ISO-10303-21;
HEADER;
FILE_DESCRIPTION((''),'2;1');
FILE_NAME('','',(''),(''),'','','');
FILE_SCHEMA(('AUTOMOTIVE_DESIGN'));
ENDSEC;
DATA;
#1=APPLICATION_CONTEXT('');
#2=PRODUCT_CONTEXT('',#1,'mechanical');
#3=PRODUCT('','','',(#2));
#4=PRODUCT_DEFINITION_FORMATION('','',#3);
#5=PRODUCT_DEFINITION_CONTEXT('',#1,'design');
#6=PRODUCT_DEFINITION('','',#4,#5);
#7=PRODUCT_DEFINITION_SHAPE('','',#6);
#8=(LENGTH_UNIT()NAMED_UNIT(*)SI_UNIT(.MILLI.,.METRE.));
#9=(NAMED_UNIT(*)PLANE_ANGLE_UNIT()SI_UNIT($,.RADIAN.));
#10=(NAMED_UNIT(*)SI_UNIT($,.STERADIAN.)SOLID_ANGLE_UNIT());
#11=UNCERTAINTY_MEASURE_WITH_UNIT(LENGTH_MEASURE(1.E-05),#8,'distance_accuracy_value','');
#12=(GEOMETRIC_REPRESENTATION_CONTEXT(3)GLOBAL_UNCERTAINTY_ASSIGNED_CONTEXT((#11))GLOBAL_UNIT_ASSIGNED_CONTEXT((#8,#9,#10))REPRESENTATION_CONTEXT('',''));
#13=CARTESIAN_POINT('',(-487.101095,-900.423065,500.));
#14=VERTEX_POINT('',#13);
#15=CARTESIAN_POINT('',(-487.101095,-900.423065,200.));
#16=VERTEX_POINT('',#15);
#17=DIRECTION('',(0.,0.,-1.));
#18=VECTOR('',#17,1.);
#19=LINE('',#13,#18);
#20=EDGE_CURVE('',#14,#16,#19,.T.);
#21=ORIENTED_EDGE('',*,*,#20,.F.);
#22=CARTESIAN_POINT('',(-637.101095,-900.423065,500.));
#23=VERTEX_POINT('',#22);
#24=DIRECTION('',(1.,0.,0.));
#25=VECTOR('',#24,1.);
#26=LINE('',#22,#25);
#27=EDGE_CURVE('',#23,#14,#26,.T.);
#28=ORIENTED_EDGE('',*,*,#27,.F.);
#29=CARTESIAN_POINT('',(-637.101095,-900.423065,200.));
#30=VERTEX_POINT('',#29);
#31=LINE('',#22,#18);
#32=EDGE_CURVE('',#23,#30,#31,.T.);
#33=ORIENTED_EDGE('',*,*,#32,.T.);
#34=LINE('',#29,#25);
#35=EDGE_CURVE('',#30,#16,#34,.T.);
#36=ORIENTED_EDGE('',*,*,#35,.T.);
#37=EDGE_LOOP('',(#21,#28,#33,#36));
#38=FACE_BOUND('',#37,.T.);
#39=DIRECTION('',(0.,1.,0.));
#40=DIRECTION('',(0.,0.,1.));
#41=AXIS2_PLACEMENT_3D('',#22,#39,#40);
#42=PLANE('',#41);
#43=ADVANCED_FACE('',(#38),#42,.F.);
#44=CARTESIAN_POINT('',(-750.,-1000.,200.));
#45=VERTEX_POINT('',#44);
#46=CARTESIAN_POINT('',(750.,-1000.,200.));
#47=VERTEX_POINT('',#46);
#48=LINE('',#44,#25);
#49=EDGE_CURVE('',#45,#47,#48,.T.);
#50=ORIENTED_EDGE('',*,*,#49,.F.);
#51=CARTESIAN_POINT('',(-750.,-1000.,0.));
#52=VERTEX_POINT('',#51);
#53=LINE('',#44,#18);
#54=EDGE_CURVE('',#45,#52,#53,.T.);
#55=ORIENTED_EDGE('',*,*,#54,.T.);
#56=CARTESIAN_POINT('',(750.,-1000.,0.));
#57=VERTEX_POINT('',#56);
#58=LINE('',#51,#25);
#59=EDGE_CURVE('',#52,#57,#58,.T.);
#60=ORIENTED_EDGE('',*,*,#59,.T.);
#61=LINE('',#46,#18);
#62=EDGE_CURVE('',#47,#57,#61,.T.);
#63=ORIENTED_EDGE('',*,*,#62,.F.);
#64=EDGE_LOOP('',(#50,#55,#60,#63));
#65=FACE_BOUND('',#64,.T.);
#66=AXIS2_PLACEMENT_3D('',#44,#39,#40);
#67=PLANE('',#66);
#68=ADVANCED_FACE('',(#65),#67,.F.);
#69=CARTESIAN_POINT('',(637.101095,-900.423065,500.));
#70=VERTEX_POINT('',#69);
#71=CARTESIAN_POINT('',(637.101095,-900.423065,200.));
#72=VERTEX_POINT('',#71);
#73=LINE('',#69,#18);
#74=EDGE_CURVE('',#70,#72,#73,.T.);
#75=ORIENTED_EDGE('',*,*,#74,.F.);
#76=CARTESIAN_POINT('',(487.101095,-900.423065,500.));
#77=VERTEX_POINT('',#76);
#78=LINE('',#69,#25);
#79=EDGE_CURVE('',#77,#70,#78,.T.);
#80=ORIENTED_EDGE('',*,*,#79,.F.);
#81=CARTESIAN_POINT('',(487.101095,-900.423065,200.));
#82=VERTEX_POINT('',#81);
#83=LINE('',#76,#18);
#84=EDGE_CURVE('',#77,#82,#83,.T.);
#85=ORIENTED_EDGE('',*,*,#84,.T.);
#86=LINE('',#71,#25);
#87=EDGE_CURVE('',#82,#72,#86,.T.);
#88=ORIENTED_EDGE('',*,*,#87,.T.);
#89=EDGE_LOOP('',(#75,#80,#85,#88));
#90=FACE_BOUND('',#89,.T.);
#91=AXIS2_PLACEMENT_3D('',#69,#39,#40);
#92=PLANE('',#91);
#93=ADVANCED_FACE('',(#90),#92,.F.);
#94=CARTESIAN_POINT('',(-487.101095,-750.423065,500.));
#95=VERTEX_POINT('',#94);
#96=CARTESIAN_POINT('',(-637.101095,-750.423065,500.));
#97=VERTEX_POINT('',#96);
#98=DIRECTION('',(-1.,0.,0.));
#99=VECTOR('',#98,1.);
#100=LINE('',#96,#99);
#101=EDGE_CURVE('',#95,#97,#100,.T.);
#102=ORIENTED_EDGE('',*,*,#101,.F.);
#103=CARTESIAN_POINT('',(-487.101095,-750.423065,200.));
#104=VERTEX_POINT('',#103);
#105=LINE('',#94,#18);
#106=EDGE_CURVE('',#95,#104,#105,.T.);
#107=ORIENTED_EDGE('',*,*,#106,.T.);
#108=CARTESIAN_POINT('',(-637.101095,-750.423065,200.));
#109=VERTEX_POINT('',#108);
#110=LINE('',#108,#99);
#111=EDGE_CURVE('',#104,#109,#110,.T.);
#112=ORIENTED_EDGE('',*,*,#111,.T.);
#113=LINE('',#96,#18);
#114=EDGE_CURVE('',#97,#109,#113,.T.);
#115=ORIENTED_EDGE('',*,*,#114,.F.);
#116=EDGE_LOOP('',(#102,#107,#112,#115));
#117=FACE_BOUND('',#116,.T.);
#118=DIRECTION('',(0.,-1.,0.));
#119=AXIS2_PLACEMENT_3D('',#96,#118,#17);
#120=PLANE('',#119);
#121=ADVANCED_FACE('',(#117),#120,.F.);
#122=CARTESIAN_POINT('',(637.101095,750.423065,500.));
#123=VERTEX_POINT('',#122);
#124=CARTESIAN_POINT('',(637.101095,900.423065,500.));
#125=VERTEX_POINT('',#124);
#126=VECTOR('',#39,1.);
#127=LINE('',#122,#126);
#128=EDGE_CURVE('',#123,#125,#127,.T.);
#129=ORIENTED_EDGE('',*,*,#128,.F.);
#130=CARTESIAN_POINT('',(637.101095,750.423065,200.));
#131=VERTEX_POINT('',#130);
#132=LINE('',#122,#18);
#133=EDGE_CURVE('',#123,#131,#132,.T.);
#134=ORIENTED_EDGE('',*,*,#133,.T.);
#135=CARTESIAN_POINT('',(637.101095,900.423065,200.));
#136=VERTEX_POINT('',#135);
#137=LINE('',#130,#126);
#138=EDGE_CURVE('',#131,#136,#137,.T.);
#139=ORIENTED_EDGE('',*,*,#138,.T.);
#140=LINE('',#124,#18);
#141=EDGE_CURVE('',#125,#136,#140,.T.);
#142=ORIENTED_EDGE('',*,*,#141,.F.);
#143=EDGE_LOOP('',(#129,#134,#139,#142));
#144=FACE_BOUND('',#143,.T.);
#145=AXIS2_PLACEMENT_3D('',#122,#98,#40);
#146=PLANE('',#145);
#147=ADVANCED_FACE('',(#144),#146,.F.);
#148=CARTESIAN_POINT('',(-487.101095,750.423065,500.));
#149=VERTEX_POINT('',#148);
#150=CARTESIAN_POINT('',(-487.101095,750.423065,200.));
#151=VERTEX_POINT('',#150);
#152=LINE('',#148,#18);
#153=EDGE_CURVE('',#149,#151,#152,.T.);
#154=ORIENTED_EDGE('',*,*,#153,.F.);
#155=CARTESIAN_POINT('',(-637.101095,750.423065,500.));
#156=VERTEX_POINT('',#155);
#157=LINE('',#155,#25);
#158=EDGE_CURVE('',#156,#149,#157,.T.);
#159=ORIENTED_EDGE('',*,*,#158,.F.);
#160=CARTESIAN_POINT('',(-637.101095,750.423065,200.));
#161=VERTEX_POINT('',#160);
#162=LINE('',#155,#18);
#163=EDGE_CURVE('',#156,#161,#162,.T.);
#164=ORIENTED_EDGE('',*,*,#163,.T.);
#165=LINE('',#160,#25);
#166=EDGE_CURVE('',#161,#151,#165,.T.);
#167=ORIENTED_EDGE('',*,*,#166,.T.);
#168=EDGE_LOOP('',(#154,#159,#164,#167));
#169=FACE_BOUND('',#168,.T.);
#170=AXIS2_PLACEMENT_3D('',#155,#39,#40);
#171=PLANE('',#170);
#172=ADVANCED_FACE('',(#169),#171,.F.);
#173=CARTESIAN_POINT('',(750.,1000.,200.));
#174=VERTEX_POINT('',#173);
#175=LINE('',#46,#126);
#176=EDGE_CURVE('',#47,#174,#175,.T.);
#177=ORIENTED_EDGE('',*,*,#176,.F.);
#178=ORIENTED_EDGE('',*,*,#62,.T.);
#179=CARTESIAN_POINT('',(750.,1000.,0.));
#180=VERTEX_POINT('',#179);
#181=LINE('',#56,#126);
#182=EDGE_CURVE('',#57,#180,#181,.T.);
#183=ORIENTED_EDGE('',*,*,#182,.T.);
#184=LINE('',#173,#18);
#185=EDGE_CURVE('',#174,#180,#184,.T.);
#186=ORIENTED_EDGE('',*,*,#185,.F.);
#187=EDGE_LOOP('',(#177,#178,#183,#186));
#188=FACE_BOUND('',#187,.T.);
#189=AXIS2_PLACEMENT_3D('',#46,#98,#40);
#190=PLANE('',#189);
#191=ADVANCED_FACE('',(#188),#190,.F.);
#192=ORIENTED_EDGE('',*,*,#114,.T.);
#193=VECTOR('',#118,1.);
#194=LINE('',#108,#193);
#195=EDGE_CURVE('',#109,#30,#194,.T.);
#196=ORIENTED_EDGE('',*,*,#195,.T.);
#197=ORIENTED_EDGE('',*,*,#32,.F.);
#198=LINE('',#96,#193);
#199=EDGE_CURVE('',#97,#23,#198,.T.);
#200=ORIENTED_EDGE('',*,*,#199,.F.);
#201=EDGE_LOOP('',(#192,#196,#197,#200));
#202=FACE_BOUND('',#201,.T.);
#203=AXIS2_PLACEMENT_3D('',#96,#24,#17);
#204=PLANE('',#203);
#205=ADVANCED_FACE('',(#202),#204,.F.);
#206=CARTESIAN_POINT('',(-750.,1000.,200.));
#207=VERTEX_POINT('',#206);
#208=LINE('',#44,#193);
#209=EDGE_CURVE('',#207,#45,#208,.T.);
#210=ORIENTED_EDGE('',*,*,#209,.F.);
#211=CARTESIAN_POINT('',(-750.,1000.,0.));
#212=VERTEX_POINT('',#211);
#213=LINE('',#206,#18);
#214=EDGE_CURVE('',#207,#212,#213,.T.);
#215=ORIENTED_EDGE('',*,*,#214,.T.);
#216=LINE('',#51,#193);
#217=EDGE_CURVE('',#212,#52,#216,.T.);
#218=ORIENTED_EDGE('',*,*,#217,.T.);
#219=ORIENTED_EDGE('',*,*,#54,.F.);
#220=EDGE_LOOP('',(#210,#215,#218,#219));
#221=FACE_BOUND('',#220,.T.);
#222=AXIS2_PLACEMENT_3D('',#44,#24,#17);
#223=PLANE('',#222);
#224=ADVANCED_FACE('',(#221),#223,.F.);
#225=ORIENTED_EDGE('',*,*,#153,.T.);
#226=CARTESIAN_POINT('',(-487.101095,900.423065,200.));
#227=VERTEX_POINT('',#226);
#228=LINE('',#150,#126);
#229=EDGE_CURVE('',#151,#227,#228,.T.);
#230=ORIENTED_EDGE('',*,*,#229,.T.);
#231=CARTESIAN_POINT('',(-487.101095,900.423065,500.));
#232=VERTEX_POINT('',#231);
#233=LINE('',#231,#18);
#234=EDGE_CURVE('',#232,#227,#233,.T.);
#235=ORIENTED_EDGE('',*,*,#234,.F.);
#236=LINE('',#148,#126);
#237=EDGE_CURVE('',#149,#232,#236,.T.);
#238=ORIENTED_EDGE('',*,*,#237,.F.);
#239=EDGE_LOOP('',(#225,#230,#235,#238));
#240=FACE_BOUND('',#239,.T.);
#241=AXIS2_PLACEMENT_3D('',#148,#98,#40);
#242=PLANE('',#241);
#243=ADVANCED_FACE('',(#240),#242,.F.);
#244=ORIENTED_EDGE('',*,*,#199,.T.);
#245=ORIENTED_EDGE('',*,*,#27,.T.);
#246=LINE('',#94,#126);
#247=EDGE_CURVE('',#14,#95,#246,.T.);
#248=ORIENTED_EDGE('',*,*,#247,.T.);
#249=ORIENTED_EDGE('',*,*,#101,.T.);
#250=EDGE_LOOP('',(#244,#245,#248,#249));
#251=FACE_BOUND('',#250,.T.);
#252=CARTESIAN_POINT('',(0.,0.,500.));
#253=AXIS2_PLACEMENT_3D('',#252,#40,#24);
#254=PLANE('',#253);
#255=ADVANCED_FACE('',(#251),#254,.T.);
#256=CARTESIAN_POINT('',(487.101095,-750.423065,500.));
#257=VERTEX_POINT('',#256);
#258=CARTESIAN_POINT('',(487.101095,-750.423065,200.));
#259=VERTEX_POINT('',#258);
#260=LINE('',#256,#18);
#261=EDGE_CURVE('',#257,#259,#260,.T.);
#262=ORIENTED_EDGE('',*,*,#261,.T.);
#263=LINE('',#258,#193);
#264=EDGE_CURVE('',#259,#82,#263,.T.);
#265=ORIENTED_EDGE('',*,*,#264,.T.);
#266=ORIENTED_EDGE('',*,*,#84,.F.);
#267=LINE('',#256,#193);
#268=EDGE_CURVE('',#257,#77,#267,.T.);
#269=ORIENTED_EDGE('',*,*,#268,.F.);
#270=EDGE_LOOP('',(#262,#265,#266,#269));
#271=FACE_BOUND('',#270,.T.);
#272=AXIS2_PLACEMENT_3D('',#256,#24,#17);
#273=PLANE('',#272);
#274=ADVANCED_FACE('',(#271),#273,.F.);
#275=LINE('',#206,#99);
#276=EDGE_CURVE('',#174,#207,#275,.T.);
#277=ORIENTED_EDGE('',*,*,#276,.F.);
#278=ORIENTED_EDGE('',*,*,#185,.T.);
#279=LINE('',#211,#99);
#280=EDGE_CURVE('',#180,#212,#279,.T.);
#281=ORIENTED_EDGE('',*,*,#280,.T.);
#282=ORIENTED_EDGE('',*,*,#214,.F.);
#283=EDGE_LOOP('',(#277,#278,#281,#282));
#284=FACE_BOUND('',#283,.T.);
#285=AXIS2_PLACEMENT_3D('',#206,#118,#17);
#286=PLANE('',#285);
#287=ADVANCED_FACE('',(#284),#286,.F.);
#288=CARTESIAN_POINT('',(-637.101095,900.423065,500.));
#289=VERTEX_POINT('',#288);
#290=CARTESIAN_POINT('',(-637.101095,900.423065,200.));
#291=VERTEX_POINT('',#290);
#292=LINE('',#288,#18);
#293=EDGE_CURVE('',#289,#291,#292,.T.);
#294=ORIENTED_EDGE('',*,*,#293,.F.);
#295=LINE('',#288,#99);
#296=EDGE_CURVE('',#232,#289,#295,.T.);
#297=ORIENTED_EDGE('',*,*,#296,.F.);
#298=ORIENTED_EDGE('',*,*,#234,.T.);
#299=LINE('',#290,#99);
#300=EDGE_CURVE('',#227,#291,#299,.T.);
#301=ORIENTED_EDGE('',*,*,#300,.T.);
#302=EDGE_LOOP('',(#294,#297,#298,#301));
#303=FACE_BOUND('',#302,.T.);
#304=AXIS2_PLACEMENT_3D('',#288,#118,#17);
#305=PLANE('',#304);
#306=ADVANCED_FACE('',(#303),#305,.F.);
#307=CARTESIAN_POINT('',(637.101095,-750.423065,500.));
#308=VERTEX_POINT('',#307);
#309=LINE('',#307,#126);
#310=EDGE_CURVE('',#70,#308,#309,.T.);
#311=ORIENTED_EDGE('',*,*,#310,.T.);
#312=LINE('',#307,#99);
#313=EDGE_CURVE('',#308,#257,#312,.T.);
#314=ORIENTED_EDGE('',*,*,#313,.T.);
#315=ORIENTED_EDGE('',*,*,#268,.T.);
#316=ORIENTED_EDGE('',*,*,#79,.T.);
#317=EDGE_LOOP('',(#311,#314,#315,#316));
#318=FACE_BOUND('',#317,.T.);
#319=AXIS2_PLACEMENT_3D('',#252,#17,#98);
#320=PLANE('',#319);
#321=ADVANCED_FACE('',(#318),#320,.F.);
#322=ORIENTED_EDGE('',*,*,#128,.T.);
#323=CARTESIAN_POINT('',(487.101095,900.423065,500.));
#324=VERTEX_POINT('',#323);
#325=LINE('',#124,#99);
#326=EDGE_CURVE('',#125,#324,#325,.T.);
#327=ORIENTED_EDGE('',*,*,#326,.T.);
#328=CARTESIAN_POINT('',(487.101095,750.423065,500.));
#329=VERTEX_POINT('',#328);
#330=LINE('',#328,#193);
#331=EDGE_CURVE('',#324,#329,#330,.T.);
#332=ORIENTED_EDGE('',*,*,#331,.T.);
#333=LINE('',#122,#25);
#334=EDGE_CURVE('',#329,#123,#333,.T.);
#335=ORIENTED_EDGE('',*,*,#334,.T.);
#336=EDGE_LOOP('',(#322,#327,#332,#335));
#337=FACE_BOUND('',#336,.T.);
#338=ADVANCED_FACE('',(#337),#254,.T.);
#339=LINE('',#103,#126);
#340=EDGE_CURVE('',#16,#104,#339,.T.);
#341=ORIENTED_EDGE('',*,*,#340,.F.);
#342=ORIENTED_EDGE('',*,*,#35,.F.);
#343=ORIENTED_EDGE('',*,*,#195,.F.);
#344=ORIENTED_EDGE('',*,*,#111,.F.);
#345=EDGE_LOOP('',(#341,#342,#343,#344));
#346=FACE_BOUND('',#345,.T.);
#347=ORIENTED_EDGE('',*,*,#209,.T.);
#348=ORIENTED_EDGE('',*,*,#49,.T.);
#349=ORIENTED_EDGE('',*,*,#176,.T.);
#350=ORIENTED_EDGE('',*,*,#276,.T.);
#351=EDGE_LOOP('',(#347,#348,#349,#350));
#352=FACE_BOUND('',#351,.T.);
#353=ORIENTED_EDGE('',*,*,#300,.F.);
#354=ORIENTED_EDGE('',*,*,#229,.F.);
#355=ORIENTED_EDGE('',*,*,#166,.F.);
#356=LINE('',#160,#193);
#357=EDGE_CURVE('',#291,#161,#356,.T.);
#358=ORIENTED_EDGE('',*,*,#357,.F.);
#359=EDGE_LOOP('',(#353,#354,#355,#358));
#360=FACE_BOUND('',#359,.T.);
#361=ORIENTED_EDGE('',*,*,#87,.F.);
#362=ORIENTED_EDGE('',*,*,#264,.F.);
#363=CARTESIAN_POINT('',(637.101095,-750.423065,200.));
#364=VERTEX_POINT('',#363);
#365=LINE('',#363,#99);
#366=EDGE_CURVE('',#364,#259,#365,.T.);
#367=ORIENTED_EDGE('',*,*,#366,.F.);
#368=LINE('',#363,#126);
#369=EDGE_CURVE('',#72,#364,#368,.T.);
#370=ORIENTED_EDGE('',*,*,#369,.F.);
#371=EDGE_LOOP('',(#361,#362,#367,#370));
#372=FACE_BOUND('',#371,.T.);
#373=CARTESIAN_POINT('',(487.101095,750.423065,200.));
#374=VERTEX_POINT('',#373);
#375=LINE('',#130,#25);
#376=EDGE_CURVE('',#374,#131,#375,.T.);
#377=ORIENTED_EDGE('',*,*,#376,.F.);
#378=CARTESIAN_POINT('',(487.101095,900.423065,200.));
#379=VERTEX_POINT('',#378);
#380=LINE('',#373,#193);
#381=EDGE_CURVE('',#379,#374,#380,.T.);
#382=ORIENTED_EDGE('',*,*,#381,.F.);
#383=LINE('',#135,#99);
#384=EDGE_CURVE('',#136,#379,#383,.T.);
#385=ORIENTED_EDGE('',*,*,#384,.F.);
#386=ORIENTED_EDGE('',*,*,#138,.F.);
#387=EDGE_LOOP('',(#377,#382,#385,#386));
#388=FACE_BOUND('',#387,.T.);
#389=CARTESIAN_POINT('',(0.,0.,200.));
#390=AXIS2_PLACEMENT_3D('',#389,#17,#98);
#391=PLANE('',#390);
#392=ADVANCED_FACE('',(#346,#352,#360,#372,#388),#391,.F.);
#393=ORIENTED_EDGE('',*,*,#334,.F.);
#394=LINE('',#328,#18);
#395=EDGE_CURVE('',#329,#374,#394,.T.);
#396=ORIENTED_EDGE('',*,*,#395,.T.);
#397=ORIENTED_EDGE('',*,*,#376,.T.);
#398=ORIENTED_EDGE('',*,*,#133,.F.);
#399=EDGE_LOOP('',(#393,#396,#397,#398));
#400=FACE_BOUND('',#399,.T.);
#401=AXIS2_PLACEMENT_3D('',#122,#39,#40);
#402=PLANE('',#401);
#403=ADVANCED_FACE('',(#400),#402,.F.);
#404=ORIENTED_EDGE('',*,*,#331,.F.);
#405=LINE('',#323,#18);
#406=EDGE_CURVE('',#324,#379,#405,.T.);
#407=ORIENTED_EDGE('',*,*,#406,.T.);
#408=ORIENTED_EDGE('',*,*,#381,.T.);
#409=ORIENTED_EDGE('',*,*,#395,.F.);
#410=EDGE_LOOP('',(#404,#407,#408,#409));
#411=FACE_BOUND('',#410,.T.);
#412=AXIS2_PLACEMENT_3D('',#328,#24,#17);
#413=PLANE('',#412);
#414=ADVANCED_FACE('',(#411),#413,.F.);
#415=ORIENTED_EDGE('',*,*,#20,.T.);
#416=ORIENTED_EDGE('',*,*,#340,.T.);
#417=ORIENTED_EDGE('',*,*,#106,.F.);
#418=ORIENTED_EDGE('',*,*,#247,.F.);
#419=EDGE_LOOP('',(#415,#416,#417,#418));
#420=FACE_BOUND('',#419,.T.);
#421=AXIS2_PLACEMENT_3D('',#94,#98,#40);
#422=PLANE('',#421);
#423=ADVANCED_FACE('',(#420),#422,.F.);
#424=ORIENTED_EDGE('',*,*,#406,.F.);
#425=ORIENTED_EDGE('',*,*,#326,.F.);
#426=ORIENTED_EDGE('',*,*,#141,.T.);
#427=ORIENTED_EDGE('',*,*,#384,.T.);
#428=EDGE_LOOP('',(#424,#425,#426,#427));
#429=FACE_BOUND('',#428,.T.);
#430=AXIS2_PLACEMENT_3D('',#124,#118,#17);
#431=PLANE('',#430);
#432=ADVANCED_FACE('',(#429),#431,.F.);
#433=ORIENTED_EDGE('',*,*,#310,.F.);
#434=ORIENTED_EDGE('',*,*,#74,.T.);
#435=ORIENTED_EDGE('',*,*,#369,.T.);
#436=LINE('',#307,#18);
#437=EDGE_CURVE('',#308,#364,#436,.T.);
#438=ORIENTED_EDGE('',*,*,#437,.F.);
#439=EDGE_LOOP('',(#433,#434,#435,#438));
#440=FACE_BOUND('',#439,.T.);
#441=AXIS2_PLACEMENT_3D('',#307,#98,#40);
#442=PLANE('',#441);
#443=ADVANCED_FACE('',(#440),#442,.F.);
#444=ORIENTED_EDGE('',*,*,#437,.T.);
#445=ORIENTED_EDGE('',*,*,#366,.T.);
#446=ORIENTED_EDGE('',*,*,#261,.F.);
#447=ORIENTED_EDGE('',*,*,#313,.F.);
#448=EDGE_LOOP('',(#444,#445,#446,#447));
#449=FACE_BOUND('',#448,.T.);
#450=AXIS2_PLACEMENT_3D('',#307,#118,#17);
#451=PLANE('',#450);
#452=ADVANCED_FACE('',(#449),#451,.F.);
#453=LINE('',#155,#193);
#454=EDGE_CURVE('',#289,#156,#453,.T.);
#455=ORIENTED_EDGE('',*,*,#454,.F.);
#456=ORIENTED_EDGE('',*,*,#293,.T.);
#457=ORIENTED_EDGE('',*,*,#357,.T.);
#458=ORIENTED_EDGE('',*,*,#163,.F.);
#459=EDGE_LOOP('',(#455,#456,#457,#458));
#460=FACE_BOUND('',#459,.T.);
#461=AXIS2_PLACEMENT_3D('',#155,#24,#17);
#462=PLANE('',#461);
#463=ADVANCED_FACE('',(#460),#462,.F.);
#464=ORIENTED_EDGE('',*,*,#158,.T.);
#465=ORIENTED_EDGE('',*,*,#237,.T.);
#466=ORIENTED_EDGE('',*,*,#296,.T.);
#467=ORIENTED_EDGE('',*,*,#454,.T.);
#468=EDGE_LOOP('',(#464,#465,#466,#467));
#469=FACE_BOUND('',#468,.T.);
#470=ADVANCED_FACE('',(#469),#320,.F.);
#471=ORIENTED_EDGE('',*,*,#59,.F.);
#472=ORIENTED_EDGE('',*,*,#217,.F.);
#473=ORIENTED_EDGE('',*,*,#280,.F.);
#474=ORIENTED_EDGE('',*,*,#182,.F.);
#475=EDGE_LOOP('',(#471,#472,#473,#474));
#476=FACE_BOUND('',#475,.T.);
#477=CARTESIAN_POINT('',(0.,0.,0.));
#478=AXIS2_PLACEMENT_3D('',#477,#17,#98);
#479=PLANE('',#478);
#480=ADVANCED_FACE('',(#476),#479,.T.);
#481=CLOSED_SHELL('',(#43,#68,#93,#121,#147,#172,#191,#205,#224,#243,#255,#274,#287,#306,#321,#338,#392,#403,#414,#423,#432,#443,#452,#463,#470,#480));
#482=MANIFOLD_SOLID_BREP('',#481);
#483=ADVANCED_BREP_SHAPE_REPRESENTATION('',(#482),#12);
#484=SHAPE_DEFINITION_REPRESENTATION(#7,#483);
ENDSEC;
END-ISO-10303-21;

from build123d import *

# Parameters (mm, degrees)
SKETCH_1_W      = 1500
SKETCH_1_H      = 2000
EXTRUDE_1_DEPTH = 200
SKETCH_2_W      = 150
SKETCH_2_H      = 150
EXTRUDE_2_DEPTH = 300


with BuildPart() as part:
    # 草图1 → 凸台-拉伸1 (new body)
    with BuildSketch(Plane.XY):
        Rectangle(SKETCH_1_W, SKETCH_1_H)
    extrude(amount=EXTRUDE_1_DEPTH)

    # 草图2 → 凸台-拉伸2 (add)
    with BuildSketch(Plane.XY.offset(200)):
        with Locations((-562.101095116, 825.42306477)):
            Rectangle(SKETCH_2_W, SKETCH_2_H)
        with Locations((562.101095116, 825.42306477)):
            Rectangle(SKETCH_2_W, SKETCH_2_H)
        with Locations((562.101095116, -825.42306477)):
            Rectangle(SKETCH_2_W, SKETCH_2_H)
        with Locations((-562.101095116, -825.42306477)):
            Rectangle(SKETCH_2_W, SKETCH_2_H)
    extrude(amount=EXTRUDE_2_DEPTH)


solid = part.part
